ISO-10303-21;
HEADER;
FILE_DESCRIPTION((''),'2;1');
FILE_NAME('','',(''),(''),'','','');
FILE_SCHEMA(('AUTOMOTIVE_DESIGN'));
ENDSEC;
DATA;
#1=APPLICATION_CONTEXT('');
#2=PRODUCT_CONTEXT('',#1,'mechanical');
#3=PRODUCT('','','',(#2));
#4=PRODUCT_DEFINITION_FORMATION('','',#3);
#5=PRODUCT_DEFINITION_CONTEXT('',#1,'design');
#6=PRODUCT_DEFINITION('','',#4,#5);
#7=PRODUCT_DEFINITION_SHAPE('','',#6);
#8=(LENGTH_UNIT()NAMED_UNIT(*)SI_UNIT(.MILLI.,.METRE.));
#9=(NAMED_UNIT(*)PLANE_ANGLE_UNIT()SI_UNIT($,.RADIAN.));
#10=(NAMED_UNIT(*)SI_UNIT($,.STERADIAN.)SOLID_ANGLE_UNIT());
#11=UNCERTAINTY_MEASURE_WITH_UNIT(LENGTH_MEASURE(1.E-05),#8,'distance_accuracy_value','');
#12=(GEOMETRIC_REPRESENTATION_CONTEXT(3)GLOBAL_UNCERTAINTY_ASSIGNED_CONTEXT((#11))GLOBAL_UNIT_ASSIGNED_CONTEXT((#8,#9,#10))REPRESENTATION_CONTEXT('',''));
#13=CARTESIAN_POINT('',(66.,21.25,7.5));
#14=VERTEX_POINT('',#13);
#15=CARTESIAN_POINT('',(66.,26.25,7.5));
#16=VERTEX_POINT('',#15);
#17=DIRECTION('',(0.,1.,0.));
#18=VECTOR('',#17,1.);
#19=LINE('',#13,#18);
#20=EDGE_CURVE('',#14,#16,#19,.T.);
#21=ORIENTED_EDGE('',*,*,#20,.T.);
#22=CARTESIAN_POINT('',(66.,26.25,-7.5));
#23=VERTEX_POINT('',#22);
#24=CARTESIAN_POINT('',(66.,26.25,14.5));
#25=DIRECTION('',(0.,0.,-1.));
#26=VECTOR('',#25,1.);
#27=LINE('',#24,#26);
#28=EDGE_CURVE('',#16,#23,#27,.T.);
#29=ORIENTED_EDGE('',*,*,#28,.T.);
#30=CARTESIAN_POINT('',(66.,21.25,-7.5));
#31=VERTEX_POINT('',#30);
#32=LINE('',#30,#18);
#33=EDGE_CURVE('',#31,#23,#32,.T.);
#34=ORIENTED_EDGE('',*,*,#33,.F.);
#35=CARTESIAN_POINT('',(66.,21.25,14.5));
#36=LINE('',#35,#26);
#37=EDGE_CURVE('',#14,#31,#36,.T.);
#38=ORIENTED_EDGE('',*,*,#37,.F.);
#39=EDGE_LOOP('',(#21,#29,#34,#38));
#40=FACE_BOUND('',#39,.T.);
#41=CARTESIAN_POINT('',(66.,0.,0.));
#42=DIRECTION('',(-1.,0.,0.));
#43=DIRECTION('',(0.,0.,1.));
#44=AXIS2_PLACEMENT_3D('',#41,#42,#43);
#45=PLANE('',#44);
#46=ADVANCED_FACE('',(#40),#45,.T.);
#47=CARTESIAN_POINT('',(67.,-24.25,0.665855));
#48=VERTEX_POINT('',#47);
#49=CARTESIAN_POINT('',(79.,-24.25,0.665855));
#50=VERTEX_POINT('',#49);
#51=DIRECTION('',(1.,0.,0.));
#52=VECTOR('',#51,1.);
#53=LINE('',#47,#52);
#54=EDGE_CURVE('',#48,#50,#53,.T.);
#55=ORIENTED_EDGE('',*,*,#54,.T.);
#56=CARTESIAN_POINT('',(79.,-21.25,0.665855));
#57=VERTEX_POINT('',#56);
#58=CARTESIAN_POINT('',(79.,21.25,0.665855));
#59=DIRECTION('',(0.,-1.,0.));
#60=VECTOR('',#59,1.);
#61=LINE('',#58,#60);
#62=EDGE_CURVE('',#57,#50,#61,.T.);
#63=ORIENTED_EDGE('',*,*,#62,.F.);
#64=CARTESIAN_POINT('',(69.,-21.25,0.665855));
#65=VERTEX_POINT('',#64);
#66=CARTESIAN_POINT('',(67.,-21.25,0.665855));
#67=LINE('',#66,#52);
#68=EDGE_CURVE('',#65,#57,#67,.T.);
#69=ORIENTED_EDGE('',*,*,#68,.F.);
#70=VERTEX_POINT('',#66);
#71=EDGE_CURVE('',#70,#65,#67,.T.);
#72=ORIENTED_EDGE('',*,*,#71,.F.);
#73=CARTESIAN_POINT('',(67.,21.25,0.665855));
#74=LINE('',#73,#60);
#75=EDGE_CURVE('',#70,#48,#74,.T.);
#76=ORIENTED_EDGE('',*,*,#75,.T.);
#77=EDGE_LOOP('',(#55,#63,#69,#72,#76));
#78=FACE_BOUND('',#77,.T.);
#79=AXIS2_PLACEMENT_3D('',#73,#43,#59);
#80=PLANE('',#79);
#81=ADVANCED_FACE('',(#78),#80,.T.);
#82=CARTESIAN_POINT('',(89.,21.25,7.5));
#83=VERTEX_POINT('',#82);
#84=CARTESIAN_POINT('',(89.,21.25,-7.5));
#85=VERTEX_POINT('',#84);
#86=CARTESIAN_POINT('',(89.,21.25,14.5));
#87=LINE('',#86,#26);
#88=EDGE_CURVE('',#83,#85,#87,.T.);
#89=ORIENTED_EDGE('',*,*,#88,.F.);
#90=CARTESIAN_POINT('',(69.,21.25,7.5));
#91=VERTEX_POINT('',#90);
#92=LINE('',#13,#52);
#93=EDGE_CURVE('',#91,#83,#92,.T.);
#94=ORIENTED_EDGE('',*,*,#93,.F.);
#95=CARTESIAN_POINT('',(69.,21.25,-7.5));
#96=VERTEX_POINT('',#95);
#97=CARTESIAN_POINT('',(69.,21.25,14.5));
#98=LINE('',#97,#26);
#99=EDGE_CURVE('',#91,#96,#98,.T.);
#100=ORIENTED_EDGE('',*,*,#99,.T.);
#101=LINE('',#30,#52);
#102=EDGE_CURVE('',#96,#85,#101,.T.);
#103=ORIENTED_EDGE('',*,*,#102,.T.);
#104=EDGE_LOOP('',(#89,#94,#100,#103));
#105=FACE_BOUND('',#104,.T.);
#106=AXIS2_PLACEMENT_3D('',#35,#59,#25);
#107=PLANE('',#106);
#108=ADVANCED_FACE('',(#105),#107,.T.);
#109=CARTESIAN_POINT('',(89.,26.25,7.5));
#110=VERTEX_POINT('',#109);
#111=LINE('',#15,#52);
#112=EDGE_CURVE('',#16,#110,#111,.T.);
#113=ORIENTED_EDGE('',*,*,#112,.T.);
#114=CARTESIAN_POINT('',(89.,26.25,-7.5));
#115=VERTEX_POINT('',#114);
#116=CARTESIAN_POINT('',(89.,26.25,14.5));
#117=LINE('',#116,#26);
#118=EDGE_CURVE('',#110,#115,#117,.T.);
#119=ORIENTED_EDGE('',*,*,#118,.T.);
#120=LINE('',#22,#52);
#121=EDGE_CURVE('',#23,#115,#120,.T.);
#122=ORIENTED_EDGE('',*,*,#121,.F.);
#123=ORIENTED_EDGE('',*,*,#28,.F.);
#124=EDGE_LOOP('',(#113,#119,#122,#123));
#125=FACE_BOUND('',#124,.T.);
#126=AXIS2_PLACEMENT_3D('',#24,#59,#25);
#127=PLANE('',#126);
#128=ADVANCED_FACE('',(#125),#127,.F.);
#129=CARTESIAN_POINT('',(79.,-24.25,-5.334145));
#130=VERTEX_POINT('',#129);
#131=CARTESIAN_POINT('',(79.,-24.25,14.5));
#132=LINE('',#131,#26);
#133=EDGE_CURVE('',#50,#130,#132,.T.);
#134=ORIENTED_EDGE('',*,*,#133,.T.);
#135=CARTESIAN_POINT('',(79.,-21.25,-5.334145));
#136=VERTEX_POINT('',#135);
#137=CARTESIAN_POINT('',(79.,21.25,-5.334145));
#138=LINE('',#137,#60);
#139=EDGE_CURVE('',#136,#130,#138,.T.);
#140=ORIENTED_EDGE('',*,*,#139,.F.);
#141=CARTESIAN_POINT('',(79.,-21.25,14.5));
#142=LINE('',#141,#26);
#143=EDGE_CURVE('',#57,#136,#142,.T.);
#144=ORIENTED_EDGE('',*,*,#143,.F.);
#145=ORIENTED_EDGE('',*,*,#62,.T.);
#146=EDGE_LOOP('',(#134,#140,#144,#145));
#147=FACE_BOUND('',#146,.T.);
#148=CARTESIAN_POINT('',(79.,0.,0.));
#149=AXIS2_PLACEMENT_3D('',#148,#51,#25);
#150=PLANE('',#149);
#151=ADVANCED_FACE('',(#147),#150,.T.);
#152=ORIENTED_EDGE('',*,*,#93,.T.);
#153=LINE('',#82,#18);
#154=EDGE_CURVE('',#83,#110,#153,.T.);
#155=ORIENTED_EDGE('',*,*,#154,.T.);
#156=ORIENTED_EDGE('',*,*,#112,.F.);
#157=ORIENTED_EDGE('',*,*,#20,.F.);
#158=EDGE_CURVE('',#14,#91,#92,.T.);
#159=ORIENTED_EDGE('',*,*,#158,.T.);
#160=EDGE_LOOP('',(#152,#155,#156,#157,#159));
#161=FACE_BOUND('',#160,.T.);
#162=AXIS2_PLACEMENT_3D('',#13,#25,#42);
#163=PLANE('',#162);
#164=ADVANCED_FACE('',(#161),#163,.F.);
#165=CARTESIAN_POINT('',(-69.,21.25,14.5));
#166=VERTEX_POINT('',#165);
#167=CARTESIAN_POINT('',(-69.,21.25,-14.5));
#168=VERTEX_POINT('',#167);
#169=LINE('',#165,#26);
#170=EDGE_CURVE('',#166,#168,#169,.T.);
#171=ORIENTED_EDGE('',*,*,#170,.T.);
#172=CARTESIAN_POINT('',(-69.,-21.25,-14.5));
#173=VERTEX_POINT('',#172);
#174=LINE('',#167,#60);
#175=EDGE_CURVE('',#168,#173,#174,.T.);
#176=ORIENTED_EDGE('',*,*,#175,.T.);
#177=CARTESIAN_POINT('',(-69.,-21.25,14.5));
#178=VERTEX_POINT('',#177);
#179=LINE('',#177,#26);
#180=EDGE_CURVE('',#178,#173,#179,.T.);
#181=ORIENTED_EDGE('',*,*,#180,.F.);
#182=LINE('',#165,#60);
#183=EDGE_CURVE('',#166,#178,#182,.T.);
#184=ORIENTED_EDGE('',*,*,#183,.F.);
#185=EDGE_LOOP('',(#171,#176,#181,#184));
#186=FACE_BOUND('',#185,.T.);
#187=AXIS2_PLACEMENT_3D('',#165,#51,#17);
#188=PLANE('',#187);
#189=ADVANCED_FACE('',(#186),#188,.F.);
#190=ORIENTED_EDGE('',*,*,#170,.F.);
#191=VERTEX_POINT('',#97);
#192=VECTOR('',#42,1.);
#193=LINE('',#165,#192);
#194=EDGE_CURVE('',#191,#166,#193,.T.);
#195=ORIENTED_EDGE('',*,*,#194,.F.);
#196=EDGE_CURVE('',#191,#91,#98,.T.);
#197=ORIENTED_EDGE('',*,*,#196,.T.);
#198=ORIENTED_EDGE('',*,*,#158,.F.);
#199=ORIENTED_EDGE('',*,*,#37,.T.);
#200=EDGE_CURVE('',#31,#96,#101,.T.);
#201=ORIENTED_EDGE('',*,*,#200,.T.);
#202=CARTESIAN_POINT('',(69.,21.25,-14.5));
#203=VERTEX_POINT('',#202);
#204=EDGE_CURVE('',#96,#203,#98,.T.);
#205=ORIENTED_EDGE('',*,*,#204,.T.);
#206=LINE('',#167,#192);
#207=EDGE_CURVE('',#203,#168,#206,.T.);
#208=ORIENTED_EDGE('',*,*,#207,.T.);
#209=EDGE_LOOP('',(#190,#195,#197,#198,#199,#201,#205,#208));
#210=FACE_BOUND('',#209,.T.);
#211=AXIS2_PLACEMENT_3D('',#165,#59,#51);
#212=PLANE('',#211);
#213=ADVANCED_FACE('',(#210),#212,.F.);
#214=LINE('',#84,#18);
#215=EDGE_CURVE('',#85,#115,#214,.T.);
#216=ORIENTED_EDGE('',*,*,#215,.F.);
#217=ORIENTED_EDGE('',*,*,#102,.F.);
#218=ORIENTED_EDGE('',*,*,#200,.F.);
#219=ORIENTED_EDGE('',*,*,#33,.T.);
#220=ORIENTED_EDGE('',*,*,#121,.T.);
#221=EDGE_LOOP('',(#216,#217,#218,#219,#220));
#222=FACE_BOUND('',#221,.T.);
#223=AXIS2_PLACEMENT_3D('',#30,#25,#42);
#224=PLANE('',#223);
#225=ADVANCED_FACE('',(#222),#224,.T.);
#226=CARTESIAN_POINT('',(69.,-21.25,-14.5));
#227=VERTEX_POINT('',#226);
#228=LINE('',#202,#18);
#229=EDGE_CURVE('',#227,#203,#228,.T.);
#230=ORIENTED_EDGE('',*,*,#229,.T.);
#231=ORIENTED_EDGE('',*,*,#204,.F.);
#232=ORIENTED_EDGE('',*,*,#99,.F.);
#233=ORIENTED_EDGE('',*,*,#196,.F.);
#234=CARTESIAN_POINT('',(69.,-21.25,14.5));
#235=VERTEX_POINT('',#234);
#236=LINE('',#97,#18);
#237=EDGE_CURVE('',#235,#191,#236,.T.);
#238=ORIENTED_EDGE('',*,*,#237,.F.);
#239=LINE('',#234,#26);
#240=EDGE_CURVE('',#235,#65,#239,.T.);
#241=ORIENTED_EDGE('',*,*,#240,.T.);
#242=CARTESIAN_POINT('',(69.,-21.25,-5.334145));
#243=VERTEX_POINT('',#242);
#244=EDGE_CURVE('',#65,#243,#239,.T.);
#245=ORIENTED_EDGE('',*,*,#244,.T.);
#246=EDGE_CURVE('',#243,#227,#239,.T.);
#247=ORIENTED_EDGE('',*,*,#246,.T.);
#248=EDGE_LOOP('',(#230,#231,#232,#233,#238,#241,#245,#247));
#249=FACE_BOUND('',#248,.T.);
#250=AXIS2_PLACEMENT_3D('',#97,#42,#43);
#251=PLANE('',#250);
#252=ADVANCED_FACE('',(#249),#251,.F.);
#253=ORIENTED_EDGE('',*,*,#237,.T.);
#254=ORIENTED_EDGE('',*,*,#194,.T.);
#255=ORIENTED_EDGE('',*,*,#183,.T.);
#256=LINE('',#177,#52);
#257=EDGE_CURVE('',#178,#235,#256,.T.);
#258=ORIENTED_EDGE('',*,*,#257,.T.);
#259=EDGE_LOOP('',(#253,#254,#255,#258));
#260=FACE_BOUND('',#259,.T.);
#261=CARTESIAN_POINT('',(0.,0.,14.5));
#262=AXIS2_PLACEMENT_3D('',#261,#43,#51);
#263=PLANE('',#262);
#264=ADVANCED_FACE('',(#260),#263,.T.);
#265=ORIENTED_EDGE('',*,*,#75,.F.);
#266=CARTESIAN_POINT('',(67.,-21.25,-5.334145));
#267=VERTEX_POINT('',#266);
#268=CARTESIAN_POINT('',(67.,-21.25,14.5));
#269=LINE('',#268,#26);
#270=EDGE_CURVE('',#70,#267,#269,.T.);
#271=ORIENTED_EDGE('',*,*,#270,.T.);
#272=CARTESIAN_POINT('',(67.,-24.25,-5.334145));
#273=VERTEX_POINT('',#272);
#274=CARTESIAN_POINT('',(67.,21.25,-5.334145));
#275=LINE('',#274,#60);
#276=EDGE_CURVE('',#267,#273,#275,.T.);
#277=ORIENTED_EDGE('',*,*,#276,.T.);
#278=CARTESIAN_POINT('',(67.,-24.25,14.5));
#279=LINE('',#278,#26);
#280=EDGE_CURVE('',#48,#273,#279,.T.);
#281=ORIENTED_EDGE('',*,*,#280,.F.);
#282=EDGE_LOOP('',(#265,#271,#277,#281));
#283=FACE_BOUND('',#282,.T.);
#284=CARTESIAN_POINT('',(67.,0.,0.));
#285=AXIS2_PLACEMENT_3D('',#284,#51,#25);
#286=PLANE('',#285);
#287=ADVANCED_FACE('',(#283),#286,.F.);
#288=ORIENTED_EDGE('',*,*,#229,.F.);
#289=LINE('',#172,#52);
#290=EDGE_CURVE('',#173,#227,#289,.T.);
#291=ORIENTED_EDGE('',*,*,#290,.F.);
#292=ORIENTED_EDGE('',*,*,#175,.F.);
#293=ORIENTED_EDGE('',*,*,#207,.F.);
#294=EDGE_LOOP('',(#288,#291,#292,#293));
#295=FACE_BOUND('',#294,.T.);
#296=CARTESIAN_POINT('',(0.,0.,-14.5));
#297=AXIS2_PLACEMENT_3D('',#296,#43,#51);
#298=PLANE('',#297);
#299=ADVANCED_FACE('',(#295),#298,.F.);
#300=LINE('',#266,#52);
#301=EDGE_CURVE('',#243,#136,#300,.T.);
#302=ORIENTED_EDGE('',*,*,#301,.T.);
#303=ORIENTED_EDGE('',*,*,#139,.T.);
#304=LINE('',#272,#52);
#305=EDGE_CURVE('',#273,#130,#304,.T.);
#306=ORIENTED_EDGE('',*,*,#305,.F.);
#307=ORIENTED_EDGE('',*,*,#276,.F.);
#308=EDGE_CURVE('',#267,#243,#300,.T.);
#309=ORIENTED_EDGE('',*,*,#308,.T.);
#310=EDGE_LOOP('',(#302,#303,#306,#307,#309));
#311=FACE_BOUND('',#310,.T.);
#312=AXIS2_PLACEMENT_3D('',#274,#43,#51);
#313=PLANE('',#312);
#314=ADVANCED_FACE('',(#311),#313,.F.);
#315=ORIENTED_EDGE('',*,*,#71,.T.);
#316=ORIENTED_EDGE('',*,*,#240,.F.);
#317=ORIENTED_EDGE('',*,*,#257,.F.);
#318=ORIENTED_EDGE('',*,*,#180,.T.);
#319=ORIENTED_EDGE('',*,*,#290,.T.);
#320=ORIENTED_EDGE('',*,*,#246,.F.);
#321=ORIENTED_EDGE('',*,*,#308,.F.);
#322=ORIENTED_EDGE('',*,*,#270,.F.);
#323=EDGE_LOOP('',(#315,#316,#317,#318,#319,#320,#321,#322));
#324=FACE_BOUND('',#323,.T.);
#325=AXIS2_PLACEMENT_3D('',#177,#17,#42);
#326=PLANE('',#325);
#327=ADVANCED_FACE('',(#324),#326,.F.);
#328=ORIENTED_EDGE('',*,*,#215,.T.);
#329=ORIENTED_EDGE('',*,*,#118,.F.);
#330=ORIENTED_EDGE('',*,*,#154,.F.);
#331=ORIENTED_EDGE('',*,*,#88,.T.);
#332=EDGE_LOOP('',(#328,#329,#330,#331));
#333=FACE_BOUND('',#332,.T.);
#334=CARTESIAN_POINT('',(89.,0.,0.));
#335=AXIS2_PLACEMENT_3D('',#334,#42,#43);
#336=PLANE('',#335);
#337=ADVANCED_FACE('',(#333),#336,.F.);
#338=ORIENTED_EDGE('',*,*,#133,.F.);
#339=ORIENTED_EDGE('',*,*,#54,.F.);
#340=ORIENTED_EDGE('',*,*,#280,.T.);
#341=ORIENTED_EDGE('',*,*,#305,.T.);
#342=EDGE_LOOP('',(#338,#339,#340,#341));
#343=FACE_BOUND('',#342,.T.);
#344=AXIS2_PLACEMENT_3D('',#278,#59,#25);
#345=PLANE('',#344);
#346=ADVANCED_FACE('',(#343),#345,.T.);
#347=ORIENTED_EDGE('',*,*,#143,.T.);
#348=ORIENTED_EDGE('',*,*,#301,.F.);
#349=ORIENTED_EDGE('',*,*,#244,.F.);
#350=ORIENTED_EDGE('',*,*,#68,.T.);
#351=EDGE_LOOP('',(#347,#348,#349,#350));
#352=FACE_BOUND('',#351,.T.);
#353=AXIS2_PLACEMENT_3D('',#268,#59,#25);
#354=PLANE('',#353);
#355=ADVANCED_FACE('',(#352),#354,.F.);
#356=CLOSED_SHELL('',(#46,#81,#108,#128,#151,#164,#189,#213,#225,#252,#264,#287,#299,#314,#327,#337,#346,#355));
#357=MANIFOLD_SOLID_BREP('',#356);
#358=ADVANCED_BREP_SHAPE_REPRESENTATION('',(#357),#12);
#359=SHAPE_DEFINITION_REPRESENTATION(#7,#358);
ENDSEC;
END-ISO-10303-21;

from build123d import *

# Parameters (mm, degrees)
SKETCH1_W                = 138
SKETCH1_H                = 42.5
BOSS_EXTRUDE1_DEPTH      = 14.5
BOSS_EXTRUDE2_DEPTH      = 20
BOSS_EXTRUDE2_DEPTH_BACK = 3
BOSS_EXTRUDE2_START      = 69
SKETCH2_W                = 15
SKETCH2_H                = 5
BOSS_EXTRUDE3_DEPTH      = 10
BOSS_EXTRUDE3_DEPTH_BACK = 2
BOSS_EXTRUDE3_START      = 69
SKETCH2_3_W              = 6
SKETCH2_3_H              = 3


with BuildPart() as part:
    # Sketch1 → Boss-Extrude1 (new, symmetric)
    with BuildSketch(Plane.XY):
        Rectangle(SKETCH1_W, SKETCH1_H)
    extrude(amount=BOSS_EXTRUDE1_DEPTH, both=True)

    # Sketch2 → Boss-Extrude2 (add, two sides: drawn at the far end of the back side and taken through both)
    with BuildSketch(Plane(origin=(0, 0, 0), x_dir=(0, 0, -1), z_dir=(1, 0, 0)).offset(BOSS_EXTRUDE2_START - BOSS_EXTRUDE2_DEPTH_BACK)):
        with Locations((0, 23.75)):
            Rectangle(SKETCH2_W, SKETCH2_H)
    extrude(amount=BOSS_EXTRUDE2_DEPTH + BOSS_EXTRUDE2_DEPTH_BACK)

    # Sketch2<3> → Boss-Extrude3 (add, two sides: drawn at the far end of the back side and taken through both)
    with BuildSketch(Plane(origin=(0, 0, 0), x_dir=(0, 0, -1), z_dir=(1, 0, 0)).offset(BOSS_EXTRUDE3_START - BOSS_EXTRUDE3_DEPTH_BACK)):
        with Locations((2.334145167, -22.75)):
            Rectangle(SKETCH2_3_W, SKETCH2_3_H)
    extrude(amount=BOSS_EXTRUDE3_DEPTH + BOSS_EXTRUDE3_DEPTH_BACK)


solid = part.part
